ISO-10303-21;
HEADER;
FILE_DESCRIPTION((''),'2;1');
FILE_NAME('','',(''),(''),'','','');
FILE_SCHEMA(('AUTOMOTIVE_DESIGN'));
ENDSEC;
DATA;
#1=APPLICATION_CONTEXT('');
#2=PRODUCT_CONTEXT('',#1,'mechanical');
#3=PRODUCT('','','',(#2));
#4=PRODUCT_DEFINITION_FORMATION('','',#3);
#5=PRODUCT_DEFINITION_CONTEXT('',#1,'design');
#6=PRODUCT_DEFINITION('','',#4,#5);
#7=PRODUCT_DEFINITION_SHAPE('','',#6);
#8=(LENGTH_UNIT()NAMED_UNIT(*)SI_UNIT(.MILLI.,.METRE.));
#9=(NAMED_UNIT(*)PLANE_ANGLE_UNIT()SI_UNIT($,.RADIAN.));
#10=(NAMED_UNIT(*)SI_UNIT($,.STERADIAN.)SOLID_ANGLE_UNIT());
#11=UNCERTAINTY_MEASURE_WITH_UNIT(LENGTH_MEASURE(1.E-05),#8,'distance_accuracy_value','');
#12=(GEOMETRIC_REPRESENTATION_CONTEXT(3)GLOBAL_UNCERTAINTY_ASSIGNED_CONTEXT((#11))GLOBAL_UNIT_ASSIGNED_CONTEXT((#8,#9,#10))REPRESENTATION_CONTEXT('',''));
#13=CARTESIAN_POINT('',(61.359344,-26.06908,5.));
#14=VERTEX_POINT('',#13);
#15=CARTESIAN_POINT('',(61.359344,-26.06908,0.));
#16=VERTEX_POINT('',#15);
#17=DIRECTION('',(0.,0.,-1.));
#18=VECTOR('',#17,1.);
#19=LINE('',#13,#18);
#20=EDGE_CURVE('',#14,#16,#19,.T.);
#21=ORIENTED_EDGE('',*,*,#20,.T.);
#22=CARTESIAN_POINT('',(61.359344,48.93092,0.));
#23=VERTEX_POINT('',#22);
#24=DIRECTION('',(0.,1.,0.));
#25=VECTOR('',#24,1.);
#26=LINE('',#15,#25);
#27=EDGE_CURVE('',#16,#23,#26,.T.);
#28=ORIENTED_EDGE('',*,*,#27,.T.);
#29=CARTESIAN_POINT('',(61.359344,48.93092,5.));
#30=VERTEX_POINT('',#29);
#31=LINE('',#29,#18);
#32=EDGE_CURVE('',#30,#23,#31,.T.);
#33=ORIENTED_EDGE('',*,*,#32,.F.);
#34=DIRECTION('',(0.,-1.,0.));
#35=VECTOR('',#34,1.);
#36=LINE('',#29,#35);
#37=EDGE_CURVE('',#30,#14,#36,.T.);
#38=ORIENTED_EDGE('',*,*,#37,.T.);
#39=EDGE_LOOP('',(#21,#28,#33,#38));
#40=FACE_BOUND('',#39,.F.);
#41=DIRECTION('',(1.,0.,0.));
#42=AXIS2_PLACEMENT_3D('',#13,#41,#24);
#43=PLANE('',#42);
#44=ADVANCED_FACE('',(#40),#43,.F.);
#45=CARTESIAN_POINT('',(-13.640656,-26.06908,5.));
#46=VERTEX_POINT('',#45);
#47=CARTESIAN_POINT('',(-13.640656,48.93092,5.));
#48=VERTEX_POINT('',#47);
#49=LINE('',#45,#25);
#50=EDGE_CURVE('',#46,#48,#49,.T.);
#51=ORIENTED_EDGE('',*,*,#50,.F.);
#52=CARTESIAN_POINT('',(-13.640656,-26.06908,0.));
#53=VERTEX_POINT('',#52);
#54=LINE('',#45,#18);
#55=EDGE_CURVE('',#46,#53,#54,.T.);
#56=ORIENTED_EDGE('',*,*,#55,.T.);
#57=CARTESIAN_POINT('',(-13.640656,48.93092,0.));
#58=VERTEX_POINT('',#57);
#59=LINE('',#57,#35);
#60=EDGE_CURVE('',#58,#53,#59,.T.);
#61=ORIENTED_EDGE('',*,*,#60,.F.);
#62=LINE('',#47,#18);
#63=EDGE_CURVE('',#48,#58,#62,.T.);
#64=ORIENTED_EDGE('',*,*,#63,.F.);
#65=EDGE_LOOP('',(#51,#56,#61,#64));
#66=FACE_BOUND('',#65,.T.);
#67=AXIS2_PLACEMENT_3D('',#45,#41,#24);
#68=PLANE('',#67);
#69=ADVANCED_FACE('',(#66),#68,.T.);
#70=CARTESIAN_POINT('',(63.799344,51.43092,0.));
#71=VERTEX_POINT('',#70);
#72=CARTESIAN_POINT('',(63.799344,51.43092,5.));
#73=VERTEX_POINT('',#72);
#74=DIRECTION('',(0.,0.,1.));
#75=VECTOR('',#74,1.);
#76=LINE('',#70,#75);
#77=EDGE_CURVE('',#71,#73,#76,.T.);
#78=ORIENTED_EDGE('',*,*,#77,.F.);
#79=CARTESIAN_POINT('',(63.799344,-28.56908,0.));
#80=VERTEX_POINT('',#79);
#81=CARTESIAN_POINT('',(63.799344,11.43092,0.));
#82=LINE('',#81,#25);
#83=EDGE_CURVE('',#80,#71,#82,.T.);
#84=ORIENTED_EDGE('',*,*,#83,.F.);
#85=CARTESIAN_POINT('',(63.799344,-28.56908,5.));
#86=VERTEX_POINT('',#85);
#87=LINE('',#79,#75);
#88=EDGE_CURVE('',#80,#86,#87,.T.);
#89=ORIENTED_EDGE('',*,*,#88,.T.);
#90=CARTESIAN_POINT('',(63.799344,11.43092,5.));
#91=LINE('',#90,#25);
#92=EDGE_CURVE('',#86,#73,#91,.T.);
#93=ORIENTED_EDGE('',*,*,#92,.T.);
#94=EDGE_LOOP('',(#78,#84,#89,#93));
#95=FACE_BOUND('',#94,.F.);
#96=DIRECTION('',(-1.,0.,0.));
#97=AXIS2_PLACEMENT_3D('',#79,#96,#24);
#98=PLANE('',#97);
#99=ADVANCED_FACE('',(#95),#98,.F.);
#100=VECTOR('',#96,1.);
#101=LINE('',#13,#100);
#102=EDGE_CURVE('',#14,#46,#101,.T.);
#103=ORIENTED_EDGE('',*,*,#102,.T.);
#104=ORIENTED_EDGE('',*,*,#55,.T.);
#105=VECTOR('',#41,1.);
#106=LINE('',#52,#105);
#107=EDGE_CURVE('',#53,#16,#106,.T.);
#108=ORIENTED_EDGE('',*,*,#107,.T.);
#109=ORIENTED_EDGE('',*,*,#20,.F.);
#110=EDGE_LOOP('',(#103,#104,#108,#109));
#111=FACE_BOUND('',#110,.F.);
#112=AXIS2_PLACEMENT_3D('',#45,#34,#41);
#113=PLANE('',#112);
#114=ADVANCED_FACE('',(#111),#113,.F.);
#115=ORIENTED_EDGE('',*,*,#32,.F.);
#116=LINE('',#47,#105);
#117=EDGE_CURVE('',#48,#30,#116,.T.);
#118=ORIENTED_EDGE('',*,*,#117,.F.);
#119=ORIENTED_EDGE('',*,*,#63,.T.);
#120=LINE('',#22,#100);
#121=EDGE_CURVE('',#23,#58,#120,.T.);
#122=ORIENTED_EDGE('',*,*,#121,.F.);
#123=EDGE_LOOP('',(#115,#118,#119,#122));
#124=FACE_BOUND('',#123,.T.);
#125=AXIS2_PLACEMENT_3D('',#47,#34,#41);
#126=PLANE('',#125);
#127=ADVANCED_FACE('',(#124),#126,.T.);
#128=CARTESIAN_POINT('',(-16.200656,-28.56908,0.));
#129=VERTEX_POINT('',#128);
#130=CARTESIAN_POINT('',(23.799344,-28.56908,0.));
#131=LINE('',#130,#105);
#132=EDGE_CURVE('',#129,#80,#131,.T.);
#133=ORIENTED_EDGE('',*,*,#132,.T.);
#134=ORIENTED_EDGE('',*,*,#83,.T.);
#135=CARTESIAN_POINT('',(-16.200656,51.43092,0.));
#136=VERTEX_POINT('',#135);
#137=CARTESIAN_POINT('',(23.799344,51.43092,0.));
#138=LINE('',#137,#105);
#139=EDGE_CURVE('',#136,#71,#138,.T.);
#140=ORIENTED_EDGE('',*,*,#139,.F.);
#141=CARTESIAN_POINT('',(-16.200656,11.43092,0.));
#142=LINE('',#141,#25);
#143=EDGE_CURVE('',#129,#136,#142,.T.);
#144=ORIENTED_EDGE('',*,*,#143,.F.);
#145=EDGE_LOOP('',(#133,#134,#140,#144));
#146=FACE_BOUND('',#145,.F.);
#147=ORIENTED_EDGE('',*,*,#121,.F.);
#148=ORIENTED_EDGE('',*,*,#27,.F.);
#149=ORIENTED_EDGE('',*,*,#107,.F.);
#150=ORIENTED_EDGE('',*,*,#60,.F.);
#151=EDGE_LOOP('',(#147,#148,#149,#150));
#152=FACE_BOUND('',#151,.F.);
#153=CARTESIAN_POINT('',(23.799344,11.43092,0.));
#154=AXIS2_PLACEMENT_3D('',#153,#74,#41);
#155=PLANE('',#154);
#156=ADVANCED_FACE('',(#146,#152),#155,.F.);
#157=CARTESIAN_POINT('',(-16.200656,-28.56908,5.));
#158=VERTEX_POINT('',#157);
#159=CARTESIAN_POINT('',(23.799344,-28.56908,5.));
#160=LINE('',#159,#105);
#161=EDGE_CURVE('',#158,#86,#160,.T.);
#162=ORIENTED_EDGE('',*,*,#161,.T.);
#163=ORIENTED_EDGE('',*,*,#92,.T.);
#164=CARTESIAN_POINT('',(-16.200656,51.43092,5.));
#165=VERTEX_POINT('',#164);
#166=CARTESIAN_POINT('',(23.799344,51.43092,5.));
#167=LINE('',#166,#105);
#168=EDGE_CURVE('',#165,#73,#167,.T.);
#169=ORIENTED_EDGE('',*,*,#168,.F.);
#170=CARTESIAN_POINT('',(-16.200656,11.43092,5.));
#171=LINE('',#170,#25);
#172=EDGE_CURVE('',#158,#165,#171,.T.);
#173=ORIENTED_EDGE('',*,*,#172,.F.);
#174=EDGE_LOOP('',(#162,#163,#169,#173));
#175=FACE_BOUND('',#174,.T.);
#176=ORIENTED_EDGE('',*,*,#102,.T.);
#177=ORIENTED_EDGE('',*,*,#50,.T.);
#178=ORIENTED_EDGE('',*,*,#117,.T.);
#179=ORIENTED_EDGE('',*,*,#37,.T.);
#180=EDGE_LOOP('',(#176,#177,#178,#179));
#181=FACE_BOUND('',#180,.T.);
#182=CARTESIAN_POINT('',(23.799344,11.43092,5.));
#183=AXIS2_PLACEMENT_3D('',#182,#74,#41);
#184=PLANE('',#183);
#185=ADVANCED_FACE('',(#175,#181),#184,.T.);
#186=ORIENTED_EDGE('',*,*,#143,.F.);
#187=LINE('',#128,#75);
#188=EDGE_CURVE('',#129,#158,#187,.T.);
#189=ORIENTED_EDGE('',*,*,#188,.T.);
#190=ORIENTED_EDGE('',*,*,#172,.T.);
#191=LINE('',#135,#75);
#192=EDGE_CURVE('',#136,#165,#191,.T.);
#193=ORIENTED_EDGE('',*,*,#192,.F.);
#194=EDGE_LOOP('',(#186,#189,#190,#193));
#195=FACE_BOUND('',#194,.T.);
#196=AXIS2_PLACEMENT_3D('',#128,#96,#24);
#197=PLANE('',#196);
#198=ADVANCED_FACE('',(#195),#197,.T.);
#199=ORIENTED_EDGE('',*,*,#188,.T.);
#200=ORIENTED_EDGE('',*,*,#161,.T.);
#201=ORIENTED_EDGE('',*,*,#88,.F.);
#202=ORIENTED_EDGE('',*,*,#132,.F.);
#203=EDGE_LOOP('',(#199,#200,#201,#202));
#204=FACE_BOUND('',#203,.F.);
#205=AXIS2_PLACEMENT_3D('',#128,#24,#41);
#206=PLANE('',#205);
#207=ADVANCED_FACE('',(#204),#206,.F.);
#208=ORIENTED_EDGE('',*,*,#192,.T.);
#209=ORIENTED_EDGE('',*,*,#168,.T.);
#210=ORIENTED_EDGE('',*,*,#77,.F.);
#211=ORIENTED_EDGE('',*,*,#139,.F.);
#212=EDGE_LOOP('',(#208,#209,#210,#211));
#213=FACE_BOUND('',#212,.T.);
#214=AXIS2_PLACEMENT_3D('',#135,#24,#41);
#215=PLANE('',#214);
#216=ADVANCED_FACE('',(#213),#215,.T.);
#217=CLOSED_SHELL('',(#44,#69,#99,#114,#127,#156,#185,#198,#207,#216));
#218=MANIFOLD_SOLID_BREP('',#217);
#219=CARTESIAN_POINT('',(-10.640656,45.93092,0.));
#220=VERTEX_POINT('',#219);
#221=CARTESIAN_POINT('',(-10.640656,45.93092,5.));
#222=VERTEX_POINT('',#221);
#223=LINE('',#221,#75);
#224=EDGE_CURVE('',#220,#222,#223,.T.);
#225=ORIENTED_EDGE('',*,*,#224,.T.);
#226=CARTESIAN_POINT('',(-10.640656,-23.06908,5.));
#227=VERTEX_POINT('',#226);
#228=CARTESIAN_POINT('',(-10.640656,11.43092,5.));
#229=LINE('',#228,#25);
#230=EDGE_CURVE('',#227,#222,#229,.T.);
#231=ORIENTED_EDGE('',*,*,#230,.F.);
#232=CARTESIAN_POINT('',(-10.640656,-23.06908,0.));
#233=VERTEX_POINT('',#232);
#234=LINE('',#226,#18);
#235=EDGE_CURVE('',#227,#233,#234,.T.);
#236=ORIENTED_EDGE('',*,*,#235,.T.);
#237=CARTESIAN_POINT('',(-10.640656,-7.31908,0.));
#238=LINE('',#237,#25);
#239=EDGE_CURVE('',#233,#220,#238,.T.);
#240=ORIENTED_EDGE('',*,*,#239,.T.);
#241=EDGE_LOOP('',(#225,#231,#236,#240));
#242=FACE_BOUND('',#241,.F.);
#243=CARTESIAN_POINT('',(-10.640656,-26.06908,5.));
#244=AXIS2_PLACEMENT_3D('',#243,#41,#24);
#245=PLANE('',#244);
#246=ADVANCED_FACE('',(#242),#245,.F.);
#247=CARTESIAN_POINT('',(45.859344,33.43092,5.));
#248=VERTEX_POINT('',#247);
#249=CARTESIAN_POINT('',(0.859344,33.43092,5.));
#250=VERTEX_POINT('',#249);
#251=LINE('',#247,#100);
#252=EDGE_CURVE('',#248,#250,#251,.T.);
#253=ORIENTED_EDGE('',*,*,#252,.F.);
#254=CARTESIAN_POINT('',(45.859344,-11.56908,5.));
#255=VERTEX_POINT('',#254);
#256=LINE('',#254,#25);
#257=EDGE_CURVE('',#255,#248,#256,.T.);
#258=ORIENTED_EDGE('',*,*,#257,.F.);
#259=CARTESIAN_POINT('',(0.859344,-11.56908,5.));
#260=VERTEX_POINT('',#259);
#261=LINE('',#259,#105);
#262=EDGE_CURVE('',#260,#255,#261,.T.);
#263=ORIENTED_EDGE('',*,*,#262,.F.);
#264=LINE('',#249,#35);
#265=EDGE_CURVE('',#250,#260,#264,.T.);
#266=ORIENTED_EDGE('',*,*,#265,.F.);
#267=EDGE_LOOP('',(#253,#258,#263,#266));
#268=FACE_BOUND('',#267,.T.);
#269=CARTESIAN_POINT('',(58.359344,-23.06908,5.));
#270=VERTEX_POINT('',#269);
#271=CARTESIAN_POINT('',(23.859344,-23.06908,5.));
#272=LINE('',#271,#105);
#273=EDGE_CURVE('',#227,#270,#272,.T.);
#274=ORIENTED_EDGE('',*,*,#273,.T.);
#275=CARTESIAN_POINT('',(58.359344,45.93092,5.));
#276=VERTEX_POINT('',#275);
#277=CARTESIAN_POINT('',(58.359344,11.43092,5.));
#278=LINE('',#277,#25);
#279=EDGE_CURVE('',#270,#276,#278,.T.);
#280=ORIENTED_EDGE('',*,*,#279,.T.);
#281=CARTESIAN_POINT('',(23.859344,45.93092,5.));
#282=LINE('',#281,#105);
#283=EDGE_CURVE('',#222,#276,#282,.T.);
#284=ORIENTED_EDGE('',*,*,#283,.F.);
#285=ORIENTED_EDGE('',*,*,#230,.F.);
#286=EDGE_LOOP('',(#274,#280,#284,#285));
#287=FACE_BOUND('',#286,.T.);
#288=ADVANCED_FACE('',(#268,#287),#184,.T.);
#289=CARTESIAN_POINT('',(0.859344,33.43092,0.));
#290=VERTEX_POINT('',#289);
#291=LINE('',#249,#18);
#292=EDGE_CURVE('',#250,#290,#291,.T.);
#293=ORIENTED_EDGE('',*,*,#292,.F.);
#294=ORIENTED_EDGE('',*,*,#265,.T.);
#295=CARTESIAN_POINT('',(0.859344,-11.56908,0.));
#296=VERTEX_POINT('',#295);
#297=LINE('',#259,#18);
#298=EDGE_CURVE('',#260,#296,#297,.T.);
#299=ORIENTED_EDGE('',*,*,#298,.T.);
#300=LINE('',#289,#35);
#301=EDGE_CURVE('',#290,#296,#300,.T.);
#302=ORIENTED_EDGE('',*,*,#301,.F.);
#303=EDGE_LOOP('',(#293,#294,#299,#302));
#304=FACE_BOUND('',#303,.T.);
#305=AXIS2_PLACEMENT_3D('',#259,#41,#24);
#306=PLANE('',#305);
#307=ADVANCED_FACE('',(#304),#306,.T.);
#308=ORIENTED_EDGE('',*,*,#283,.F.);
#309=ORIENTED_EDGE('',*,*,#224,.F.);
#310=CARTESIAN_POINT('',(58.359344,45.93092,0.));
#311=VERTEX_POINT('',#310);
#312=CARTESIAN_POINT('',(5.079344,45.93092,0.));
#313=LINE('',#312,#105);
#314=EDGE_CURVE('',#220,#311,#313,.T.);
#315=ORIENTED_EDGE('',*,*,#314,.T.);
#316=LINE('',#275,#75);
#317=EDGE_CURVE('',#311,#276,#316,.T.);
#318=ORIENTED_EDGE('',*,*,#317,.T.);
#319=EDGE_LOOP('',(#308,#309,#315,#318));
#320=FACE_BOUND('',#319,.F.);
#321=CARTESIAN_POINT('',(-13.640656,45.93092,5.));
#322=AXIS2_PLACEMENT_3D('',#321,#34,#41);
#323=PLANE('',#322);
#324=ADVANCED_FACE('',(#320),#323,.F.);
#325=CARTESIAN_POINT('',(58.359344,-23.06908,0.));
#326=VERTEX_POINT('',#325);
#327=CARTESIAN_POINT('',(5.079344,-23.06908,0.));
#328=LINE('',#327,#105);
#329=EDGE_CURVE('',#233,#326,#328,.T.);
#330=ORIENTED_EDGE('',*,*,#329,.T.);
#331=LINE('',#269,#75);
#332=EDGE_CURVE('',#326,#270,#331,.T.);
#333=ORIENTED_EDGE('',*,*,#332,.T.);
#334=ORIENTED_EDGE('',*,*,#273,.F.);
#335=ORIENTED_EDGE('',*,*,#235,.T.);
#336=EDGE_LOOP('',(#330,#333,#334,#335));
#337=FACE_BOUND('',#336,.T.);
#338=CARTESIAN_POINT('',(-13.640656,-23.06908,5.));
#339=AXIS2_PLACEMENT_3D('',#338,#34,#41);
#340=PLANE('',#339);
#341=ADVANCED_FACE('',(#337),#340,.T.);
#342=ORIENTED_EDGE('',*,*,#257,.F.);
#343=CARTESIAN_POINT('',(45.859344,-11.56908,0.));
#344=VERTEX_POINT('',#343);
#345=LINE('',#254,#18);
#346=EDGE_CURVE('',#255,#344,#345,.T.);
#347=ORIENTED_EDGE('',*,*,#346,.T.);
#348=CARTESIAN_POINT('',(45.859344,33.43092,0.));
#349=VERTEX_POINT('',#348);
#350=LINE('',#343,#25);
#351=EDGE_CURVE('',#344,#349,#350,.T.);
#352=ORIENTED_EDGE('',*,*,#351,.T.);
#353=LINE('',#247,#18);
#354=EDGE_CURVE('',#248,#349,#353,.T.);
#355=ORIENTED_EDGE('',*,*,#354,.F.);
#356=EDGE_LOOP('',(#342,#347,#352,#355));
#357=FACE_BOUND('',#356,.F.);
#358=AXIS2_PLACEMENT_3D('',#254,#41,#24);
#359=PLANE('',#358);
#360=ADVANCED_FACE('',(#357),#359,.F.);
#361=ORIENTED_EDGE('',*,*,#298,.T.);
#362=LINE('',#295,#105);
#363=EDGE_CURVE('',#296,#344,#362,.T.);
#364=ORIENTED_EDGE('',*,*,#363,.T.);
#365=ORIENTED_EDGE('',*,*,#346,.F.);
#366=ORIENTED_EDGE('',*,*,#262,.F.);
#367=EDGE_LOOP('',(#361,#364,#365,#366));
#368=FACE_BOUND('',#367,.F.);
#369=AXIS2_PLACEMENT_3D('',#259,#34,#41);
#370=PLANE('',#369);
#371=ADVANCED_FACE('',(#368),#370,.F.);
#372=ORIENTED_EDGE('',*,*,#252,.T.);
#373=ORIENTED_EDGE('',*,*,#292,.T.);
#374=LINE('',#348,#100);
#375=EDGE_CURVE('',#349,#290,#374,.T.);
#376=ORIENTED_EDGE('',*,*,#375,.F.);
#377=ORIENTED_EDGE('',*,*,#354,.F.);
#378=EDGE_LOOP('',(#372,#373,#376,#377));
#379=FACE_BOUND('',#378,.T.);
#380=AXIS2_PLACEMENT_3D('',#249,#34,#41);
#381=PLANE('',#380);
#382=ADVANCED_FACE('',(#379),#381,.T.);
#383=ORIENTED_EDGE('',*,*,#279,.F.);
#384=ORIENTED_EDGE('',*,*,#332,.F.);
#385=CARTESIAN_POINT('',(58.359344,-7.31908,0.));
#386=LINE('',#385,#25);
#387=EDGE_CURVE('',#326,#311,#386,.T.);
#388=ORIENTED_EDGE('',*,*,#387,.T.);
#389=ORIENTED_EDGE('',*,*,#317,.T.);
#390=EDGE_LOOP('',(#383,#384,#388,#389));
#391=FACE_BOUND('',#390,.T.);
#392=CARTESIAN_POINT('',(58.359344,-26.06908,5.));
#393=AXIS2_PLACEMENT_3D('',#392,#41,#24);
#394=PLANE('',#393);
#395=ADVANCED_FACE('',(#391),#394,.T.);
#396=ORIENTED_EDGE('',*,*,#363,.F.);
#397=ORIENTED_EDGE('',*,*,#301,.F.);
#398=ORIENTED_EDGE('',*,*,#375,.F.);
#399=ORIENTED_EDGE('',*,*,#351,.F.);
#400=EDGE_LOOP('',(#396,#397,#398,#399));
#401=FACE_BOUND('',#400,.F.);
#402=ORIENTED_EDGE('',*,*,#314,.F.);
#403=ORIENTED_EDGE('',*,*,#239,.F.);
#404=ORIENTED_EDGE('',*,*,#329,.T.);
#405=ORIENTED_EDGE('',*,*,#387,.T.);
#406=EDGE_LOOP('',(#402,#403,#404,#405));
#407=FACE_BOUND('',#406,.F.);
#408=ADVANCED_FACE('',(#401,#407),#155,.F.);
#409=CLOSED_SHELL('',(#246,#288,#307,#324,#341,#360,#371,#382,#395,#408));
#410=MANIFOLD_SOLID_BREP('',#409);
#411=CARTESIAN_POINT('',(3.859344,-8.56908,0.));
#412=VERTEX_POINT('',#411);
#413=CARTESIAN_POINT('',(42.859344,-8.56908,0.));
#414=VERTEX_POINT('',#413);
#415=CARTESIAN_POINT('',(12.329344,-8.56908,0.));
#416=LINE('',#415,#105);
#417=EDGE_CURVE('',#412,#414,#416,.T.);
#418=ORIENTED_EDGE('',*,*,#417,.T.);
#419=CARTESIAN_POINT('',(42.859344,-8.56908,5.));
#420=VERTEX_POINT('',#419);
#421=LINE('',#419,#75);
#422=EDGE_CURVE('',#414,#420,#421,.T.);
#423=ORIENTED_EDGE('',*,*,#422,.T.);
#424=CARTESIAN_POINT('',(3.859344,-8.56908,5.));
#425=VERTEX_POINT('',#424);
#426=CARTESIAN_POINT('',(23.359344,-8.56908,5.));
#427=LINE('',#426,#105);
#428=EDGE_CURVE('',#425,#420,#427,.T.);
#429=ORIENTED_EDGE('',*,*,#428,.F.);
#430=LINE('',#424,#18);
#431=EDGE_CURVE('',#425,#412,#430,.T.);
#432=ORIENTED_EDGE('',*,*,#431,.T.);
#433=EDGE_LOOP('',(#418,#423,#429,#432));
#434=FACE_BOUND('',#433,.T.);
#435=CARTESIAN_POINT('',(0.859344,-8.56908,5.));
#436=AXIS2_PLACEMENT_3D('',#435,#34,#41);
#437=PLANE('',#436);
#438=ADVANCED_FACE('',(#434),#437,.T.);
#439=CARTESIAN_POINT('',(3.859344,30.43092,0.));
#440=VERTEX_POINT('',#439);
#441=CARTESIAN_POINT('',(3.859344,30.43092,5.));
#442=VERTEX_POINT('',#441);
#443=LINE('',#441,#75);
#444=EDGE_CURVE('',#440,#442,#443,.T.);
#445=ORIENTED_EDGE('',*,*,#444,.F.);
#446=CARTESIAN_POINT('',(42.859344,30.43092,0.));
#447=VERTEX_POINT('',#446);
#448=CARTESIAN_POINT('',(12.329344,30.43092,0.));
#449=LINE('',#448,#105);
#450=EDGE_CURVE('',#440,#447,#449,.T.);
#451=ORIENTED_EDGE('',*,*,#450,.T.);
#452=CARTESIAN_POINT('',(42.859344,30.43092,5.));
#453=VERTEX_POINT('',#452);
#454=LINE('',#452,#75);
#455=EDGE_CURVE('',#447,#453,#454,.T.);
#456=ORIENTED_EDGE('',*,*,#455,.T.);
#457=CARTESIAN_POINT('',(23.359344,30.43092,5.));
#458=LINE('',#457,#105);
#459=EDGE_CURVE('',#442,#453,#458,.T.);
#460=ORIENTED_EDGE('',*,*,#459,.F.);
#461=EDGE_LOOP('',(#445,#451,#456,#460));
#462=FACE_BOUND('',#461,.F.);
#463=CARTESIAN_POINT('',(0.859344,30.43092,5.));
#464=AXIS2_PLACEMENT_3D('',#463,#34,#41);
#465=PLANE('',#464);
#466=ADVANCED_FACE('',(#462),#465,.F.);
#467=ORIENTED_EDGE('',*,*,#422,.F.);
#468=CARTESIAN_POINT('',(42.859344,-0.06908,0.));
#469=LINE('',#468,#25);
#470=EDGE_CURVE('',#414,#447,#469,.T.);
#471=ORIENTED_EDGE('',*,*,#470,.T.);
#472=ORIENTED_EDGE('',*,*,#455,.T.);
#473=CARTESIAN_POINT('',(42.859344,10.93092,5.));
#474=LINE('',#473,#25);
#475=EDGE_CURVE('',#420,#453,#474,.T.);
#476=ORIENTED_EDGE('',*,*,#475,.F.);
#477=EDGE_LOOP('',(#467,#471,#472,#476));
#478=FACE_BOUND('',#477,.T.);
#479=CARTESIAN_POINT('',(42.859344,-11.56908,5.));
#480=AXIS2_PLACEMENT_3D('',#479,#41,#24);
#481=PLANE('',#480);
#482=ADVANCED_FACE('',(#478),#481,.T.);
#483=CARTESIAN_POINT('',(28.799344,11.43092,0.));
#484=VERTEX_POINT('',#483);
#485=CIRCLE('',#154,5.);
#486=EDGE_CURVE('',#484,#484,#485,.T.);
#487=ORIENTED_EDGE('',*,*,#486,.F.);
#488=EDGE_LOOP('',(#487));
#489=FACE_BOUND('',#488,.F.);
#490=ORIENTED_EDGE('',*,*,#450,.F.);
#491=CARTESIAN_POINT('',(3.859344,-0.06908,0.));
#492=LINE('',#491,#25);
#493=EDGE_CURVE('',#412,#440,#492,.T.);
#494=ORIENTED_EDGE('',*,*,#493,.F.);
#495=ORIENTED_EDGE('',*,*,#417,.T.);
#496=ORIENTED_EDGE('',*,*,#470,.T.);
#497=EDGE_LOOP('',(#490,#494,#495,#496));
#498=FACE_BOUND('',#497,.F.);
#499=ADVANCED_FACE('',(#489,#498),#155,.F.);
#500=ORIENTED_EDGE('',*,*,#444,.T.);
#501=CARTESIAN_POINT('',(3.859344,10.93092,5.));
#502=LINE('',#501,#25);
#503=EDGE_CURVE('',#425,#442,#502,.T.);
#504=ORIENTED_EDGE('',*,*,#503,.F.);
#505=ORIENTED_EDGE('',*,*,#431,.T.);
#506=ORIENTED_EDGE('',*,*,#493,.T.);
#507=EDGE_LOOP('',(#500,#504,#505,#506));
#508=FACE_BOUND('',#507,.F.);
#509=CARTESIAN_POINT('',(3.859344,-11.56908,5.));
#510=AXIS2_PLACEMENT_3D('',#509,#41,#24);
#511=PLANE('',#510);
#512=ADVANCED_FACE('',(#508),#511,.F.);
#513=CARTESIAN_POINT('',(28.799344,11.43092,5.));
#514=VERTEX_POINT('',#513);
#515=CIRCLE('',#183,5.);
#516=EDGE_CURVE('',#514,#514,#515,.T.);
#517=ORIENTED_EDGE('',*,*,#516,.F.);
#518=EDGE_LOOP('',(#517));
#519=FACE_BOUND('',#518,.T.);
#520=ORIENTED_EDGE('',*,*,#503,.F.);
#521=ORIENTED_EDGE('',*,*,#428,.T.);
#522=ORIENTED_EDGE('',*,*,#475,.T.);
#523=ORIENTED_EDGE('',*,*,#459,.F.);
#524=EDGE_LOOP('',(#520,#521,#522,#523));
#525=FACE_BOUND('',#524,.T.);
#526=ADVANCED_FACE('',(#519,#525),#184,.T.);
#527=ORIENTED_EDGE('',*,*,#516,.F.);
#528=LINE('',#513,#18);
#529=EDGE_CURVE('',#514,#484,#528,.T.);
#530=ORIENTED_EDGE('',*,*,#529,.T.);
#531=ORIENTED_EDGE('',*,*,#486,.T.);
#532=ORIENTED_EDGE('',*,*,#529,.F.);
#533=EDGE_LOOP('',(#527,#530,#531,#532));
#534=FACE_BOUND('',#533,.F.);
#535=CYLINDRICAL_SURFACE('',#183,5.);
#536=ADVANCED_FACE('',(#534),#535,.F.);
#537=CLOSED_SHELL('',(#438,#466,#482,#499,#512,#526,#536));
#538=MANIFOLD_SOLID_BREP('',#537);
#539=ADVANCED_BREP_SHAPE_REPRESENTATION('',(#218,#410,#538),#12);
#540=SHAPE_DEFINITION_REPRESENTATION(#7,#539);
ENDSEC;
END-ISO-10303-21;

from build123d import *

# Parameters (mm, degrees)
F0_W      = 80
F0_H      = 80
F1_DEPTH  = 5
F2_R      = 5
F3_DEPTH  = 5
F4_W      = 75
F4_H      = 3
F5_DEPTH  = 20
F6_W      = 3
F6_H      = 75
F7_DEPTH  = 25
F8_W      = 75
F8_H      = 3
F9_DEPTH  = 25
F10_W     = 3
F10_H     = 75
F11_DEPTH = 25
F12_W     = 45
F12_H     = 3
F13_DEPTH = 25
F14_W     = 3
F14_H     = 45
F15_DEPTH = 25
F16_W     = 45
F16_H     = 3
F17_DEPTH = 25
F18_W     = 3
F18_H     = 45
F19_DEPTH = 25


with BuildPart() as f1:
    # F0 (on Top) → F1 (new body)
    with BuildSketch(Plane.XY):
        with Locations((23.799344, 11.43092)):
            Rectangle(F0_W, F0_H)
    extrude(amount=F1_DEPTH)

    # F2 (on face) → F3 (cut)
    with BuildSketch(Plane.XY.offset(5)):
        with Locations((23.799344, 11.43092)):
            Circle(F2_R)
    extrude(amount=-F3_DEPTH, mode=Mode.SUBTRACT)

    # F4 (on face) → F5 (cut)
    with BuildSketch(Plane.XY.offset(5)):
        with Locations((23.859344, 47.43092)):
            Rectangle(F4_W, F4_H)
    extrude(amount=-F5_DEPTH, mode=Mode.SUBTRACT)

    # F6 (on face) → F7 (cut)
    with BuildSketch(Plane.XY.offset(5)):
        with Locations((-12.140656, 11.43092)):
            Rectangle(F6_W, F6_H)
    extrude(amount=-F7_DEPTH, mode=Mode.SUBTRACT)

    # F8 (on face) → F9 (cut)
    with BuildSketch(Plane.XY.offset(5)):
        with Locations((23.859344, -24.56908)):
            Rectangle(F8_W, F8_H)
    extrude(amount=-F9_DEPTH, mode=Mode.SUBTRACT)

    # F10 (on face) → F11 (cut)
    with BuildSketch(Plane.XY.offset(5)):
        with Locations((59.859344, 11.43092)):
            Rectangle(F10_W, F10_H)
    extrude(amount=-F11_DEPTH, mode=Mode.SUBTRACT)

    # F12 (on face) → F13 (cut)
    with BuildSketch(Plane.XY.offset(5)):
        with Locations((23.359344, 31.93092)):
            Rectangle(F12_W, F12_H)
    extrude(amount=-F13_DEPTH, mode=Mode.SUBTRACT)

    # F14 (on face) → F15 (cut)
    with BuildSketch(Plane.XY.offset(5)):
        with Locations((2.359344, 10.93092)):
            Rectangle(F14_W, F14_H)
    extrude(amount=-F15_DEPTH, mode=Mode.SUBTRACT)

    # F16 (on face) → F17 (cut)
    with BuildSketch(Plane.XY.offset(5)):
        with Locations((23.359344, -10.06908)):
            Rectangle(F16_W, F16_H)
    extrude(amount=-F17_DEPTH, mode=Mode.SUBTRACT)

    # F18 (on face) → F19 (cut)
    with BuildSketch(Plane.XY.offset(5)):
        with Locations((44.359344, 10.93092)):
            Rectangle(F18_W, F18_H)
    extrude(amount=-F19_DEPTH, mode=Mode.SUBTRACT)


solid = f1.part
